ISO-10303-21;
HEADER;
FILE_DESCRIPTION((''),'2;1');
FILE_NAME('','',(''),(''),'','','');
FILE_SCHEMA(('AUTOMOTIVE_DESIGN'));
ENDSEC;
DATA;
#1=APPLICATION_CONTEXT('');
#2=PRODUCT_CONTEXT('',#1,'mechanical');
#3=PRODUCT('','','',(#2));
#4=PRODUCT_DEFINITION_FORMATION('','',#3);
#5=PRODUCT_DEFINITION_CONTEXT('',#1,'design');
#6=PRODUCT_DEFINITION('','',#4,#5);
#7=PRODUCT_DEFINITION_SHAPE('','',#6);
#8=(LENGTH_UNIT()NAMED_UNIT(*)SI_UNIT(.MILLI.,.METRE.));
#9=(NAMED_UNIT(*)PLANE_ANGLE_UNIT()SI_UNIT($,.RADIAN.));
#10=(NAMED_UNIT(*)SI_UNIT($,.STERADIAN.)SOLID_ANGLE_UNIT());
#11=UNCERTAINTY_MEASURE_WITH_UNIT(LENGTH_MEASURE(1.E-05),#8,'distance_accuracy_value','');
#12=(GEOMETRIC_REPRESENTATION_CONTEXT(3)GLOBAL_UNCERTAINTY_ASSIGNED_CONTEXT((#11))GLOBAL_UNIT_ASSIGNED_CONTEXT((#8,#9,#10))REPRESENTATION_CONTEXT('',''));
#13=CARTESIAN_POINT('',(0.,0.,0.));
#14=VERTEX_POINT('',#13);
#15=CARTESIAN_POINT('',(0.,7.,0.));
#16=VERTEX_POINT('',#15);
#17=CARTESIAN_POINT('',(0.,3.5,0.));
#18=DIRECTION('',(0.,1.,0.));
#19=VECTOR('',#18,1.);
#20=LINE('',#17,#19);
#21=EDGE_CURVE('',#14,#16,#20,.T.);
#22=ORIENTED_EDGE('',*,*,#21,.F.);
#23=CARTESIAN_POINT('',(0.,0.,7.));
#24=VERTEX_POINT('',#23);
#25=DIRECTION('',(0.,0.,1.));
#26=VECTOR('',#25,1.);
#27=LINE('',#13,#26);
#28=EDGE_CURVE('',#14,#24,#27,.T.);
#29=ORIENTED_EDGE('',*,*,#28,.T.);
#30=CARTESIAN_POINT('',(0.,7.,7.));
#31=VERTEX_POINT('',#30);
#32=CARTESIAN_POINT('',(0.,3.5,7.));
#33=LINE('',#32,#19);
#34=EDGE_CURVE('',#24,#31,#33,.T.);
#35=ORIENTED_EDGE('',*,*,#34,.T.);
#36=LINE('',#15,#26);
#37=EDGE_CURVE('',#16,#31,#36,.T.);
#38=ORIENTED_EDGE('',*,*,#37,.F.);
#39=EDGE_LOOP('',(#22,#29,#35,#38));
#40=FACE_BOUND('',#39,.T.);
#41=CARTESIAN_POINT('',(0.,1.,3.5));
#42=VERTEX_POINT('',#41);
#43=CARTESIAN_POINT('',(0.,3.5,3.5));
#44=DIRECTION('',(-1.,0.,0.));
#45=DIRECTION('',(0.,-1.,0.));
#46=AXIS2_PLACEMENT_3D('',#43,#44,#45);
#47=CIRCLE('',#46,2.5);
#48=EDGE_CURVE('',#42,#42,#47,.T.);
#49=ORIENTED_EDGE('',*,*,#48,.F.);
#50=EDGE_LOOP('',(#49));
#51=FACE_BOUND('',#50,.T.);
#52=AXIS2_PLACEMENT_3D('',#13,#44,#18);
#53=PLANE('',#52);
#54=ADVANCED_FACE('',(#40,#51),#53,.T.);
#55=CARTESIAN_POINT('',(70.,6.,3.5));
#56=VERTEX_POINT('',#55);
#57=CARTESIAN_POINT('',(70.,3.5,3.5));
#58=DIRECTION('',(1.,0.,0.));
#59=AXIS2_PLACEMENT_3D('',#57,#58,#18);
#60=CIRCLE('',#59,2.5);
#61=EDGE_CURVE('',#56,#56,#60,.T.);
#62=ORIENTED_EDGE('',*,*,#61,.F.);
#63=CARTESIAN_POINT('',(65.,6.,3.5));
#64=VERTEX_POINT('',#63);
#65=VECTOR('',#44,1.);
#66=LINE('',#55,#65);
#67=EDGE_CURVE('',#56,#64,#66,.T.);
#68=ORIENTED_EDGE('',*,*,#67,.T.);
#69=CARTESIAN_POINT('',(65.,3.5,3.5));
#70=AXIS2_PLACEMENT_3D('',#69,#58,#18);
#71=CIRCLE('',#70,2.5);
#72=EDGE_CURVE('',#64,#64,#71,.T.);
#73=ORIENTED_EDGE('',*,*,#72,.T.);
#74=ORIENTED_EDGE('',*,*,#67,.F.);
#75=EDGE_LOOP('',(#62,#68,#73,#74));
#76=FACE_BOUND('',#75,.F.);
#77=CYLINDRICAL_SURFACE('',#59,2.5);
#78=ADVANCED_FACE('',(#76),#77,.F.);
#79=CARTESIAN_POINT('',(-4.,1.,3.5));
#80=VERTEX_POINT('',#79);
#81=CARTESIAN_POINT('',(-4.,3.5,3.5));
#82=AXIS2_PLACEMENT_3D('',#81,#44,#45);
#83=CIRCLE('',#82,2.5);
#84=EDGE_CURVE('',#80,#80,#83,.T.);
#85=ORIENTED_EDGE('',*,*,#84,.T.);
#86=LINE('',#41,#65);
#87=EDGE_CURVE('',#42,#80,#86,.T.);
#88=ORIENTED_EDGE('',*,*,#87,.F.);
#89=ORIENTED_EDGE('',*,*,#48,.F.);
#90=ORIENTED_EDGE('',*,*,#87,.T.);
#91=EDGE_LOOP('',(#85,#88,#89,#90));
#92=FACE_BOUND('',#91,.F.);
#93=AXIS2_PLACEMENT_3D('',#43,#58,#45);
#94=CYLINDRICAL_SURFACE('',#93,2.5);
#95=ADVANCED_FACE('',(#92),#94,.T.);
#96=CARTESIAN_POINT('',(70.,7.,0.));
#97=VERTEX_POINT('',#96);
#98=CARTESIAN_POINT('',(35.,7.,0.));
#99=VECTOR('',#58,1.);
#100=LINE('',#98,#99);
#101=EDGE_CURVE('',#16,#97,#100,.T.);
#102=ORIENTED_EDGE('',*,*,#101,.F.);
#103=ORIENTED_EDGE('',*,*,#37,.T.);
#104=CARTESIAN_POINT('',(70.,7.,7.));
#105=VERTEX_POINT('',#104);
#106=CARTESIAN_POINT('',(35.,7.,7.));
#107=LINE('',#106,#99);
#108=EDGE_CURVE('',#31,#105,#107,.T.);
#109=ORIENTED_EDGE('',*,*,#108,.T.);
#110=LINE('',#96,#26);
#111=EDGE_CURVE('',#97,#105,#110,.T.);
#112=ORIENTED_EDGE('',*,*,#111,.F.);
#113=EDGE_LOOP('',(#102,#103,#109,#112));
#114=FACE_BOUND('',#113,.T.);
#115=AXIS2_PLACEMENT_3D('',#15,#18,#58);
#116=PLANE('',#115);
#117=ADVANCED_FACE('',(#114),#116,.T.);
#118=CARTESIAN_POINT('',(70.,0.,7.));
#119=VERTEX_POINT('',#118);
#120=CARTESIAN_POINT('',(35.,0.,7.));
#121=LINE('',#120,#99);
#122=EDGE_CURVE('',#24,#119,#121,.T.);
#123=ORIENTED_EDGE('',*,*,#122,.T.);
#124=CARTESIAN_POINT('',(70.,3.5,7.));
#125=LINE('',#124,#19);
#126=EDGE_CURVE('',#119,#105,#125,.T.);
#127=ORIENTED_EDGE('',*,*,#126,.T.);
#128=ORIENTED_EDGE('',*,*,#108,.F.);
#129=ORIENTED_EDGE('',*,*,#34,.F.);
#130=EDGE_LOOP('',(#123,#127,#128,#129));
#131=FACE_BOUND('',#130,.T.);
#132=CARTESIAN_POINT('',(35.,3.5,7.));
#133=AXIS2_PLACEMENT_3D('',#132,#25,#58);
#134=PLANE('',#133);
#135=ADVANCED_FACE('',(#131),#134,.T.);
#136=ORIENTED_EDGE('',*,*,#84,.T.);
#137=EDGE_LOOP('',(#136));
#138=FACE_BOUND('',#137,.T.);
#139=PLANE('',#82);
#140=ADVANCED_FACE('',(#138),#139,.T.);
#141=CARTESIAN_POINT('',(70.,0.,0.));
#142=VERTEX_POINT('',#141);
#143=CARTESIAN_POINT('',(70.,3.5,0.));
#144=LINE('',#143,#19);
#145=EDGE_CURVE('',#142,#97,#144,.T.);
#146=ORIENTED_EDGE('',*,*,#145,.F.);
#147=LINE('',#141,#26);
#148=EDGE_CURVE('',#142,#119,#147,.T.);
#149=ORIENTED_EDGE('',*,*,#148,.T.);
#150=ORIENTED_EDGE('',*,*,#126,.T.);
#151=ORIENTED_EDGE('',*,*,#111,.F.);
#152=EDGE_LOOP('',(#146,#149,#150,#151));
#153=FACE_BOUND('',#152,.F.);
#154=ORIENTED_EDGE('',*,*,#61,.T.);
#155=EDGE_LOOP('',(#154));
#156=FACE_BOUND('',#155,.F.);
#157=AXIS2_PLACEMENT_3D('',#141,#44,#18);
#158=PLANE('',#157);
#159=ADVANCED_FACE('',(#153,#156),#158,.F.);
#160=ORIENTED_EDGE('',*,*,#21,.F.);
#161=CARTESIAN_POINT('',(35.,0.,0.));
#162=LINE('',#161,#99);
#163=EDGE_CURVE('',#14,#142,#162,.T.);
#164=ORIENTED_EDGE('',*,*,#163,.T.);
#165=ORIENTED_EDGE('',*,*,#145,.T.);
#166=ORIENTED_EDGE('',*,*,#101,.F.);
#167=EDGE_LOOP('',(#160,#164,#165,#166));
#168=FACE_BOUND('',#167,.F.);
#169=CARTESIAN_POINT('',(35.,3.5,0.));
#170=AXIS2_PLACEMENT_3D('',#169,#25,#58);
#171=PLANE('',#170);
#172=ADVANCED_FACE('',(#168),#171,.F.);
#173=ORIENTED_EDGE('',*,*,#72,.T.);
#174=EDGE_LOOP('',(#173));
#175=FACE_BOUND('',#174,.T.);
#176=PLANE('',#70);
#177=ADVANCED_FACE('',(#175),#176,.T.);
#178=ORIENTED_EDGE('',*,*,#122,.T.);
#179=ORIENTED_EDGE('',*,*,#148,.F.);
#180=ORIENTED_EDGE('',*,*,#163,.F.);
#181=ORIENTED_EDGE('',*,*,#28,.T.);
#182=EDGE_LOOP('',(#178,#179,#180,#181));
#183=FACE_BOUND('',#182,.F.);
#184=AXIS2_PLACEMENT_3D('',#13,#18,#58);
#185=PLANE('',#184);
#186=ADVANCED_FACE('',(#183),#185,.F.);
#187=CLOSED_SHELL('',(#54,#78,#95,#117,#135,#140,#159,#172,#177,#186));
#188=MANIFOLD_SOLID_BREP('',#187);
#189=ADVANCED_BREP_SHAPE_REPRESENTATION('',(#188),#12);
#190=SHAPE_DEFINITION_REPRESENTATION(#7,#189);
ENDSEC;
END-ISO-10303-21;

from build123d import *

# Parameters (mm, degrees)
F0_W     = 70
F0_H     = 7
F1_DEPTH = 7
F2_R     = 2.5
F3_DEPTH = 5
F4_R     = 2.5
F5_DEPTH = 4


with BuildPart() as f1:
    # F0 (on Top) → F1 (new body)
    with BuildSketch(Plane.XY):
        with Locations((35, 3.5)):
            Rectangle(F0_W, F0_H)
    extrude(amount=F1_DEPTH)

    # F2 (on face) → F3 (cut)
    with BuildSketch(Plane.YZ.offset(70)):
        with Locations((3.5, 3.5)):
            Circle(F2_R)
    extrude(amount=-F3_DEPTH, mode=Mode.SUBTRACT)

    # F4 (on face) → F5 (join)
    with BuildSketch(Plane(origin=(0, 0, 0), x_dir=(0, -1, 0), z_dir=(-1, 0, 0))):
        with Locations((-3.5, 3.5)):
            Circle(F4_R)
    extrude(amount=F5_DEPTH)


solid = f1.part
